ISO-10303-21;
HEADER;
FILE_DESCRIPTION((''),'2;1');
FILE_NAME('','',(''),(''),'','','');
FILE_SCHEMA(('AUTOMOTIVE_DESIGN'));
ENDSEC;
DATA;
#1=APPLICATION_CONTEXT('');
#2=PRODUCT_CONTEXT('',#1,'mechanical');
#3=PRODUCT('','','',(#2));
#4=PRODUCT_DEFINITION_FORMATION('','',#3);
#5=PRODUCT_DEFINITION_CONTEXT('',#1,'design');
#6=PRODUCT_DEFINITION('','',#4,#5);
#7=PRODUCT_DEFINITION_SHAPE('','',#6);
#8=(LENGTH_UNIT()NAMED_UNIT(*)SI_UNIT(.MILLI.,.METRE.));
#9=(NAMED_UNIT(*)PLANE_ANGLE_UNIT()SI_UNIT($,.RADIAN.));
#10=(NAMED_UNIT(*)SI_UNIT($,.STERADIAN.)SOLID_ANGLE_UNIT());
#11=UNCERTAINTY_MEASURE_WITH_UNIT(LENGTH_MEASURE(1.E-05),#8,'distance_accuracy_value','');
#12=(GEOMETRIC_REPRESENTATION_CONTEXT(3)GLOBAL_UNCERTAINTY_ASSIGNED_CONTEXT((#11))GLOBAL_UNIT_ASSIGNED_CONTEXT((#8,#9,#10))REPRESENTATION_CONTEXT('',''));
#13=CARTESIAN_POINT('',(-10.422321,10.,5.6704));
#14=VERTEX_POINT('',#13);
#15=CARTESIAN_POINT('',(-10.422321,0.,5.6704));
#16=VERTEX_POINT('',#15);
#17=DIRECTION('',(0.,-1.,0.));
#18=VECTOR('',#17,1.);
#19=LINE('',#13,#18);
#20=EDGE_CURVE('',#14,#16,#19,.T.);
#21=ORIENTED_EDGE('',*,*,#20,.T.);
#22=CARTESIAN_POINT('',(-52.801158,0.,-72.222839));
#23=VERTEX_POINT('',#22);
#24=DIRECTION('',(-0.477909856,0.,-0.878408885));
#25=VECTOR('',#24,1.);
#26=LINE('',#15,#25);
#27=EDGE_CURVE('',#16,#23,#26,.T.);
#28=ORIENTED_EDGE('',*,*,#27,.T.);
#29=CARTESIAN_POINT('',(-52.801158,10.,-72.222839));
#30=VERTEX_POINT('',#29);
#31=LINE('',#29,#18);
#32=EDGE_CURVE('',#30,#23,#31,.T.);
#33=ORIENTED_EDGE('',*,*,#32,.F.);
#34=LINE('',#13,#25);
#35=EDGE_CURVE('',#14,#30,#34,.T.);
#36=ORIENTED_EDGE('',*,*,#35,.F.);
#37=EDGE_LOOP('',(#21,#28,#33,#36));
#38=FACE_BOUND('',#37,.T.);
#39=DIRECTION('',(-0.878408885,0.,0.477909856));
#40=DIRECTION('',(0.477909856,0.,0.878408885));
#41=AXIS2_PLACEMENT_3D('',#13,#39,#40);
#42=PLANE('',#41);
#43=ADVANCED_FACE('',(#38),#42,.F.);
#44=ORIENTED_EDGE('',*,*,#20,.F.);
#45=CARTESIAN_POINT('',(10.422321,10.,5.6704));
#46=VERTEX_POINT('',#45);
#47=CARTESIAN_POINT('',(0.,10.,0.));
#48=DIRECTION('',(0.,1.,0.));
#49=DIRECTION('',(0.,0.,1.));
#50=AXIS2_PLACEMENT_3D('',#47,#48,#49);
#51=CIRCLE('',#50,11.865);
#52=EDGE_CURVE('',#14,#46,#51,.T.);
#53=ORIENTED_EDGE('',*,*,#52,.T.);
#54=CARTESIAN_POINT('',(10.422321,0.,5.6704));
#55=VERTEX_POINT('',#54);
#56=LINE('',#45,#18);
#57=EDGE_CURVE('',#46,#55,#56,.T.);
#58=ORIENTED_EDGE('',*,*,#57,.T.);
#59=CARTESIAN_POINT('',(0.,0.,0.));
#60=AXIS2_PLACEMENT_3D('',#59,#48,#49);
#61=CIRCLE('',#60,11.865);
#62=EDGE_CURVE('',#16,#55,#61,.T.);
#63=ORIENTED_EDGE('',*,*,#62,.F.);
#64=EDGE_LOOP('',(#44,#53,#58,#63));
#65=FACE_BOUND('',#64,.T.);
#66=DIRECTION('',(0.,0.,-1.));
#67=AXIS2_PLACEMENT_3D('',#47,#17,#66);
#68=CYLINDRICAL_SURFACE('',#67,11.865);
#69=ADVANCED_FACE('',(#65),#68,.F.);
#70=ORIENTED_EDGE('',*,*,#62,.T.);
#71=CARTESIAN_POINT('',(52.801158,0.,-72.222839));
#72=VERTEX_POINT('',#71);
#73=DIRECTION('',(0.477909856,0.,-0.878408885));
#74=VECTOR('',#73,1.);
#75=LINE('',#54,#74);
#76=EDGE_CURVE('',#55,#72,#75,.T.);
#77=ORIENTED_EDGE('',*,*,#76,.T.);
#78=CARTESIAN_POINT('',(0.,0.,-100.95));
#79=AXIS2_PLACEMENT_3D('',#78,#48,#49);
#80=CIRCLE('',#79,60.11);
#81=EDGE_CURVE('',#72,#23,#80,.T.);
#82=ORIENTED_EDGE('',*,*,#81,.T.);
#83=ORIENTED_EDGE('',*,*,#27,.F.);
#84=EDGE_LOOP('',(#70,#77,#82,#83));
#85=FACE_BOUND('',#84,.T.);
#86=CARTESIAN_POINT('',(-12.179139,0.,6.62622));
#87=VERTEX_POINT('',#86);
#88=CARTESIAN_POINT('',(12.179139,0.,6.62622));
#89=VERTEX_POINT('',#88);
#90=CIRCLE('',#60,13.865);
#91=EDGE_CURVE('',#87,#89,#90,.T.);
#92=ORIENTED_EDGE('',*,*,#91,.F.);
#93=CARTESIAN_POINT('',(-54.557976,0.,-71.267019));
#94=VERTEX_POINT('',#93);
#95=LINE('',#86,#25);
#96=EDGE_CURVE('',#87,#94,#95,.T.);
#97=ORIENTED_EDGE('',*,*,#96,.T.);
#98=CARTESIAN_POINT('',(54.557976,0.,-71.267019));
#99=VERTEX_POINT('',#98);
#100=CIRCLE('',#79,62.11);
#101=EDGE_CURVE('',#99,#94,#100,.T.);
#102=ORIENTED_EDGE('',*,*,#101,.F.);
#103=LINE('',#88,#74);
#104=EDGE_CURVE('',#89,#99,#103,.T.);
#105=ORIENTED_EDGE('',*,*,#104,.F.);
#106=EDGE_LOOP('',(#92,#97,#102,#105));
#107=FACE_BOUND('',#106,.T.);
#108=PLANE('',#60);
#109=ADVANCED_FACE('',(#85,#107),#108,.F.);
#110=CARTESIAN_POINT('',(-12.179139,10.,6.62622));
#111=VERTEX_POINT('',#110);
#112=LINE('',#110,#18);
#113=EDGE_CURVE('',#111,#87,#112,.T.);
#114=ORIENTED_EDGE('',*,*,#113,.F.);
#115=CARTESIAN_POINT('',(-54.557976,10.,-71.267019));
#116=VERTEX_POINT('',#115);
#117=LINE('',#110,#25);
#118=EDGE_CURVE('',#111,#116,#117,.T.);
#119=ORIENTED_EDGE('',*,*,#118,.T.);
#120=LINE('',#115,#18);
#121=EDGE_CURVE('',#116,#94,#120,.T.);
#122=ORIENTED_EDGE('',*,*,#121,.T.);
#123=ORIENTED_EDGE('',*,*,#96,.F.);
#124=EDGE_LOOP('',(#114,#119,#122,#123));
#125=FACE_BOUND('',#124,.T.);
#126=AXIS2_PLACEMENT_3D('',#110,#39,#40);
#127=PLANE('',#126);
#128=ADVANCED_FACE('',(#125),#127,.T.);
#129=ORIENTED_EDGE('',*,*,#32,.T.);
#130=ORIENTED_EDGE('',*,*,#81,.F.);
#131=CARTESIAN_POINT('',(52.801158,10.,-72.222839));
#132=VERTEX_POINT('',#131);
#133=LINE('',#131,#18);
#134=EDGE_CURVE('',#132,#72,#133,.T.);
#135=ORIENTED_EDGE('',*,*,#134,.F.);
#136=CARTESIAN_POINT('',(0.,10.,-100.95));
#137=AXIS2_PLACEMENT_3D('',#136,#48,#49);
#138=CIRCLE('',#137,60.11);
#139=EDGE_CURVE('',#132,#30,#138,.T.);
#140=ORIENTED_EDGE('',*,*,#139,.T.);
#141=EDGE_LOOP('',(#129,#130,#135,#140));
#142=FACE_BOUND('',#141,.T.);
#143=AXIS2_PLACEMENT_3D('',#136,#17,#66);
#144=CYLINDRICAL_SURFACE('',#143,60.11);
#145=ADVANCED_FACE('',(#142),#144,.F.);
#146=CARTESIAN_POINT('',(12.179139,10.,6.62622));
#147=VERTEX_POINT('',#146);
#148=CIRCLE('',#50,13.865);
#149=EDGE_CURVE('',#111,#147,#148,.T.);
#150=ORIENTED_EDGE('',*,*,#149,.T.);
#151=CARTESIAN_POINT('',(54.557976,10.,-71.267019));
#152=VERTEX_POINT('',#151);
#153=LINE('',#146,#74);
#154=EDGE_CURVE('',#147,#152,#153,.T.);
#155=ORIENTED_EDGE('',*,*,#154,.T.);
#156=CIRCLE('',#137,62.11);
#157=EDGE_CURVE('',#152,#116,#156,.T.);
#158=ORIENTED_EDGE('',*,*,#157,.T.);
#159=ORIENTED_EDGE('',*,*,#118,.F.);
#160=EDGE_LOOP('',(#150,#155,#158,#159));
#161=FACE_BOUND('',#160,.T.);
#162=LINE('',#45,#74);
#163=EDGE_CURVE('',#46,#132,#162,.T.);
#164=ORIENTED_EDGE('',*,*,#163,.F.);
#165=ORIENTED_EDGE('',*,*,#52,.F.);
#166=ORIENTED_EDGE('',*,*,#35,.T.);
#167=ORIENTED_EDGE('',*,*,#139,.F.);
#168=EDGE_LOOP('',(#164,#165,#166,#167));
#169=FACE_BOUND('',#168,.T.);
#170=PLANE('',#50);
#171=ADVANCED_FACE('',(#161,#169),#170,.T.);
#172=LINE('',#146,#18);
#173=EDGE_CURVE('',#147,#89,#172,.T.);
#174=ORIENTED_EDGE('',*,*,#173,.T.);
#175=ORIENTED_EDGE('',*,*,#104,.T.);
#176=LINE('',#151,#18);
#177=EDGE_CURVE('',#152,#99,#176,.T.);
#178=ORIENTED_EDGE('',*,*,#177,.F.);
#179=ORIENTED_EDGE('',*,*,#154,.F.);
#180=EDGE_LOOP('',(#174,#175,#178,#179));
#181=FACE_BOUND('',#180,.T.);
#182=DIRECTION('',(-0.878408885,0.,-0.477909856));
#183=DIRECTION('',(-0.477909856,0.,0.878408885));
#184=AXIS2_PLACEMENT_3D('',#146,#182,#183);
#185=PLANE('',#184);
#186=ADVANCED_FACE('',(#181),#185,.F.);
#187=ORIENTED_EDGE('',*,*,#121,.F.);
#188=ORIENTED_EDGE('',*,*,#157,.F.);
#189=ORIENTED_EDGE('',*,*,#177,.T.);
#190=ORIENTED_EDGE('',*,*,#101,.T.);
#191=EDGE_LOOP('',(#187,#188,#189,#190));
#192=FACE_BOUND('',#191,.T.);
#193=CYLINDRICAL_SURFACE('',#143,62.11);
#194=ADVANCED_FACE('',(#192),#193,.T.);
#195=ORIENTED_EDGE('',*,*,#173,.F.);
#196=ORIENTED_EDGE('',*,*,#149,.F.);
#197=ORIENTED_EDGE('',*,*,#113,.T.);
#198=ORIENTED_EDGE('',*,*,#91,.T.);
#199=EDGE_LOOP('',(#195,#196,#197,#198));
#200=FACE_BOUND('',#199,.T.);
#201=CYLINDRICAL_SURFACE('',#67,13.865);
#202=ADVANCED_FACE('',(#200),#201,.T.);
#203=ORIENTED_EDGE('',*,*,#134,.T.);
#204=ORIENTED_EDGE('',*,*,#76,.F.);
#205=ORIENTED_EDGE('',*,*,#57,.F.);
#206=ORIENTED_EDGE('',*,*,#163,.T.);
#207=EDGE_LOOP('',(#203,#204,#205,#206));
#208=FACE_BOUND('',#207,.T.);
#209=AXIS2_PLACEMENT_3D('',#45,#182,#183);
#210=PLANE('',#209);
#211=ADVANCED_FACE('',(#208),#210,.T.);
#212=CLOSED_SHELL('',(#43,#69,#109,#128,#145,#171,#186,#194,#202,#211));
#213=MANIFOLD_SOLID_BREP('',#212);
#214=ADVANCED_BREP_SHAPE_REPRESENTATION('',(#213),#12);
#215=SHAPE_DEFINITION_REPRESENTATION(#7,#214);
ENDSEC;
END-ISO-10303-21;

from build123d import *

# Parameters (mm, degrees)
EXTRUDE_1_DEPTH = 10


with BuildPart() as part:
    # 草图1 → 凸台-拉伸1 (new body)
    with BuildSketch(Plane(origin=(0, 0, 0), x_dir=(1, 0, 0), z_dir=(0, 1, 0))):
        with BuildLine():
            Line((12.17913919, -6.626220158), (54.557975845, 71.267018821))
            ThreePointArc((54.557975845, 71.267018821), (0, 163.06), (-54.557975845, 71.267018821))
            Line((-54.557975845, 71.267018821), (-12.17913919, -6.626220158))
            ThreePointArc((-12.17913919, -6.626220158), (0, -13.865), (12.17913919, -6.626220158))
        make_face()
        with BuildLine():
            ThreePointArc((52.801158075, 72.222838534), (0, 161.06), (-52.801158075, 72.222838534))
            Line((-52.801158075, 72.222838534), (-10.42232142, -5.670400446))
            ThreePointArc((-10.42232142, -5.670400446), (0, -11.865), (10.42232142, -5.670400446))
            Line((10.42232142, -5.670400446), (52.801158075, 72.222838534))
        make_face(mode=Mode.SUBTRACT)
    extrude(amount=EXTRUDE_1_DEPTH)


solid = part.part
